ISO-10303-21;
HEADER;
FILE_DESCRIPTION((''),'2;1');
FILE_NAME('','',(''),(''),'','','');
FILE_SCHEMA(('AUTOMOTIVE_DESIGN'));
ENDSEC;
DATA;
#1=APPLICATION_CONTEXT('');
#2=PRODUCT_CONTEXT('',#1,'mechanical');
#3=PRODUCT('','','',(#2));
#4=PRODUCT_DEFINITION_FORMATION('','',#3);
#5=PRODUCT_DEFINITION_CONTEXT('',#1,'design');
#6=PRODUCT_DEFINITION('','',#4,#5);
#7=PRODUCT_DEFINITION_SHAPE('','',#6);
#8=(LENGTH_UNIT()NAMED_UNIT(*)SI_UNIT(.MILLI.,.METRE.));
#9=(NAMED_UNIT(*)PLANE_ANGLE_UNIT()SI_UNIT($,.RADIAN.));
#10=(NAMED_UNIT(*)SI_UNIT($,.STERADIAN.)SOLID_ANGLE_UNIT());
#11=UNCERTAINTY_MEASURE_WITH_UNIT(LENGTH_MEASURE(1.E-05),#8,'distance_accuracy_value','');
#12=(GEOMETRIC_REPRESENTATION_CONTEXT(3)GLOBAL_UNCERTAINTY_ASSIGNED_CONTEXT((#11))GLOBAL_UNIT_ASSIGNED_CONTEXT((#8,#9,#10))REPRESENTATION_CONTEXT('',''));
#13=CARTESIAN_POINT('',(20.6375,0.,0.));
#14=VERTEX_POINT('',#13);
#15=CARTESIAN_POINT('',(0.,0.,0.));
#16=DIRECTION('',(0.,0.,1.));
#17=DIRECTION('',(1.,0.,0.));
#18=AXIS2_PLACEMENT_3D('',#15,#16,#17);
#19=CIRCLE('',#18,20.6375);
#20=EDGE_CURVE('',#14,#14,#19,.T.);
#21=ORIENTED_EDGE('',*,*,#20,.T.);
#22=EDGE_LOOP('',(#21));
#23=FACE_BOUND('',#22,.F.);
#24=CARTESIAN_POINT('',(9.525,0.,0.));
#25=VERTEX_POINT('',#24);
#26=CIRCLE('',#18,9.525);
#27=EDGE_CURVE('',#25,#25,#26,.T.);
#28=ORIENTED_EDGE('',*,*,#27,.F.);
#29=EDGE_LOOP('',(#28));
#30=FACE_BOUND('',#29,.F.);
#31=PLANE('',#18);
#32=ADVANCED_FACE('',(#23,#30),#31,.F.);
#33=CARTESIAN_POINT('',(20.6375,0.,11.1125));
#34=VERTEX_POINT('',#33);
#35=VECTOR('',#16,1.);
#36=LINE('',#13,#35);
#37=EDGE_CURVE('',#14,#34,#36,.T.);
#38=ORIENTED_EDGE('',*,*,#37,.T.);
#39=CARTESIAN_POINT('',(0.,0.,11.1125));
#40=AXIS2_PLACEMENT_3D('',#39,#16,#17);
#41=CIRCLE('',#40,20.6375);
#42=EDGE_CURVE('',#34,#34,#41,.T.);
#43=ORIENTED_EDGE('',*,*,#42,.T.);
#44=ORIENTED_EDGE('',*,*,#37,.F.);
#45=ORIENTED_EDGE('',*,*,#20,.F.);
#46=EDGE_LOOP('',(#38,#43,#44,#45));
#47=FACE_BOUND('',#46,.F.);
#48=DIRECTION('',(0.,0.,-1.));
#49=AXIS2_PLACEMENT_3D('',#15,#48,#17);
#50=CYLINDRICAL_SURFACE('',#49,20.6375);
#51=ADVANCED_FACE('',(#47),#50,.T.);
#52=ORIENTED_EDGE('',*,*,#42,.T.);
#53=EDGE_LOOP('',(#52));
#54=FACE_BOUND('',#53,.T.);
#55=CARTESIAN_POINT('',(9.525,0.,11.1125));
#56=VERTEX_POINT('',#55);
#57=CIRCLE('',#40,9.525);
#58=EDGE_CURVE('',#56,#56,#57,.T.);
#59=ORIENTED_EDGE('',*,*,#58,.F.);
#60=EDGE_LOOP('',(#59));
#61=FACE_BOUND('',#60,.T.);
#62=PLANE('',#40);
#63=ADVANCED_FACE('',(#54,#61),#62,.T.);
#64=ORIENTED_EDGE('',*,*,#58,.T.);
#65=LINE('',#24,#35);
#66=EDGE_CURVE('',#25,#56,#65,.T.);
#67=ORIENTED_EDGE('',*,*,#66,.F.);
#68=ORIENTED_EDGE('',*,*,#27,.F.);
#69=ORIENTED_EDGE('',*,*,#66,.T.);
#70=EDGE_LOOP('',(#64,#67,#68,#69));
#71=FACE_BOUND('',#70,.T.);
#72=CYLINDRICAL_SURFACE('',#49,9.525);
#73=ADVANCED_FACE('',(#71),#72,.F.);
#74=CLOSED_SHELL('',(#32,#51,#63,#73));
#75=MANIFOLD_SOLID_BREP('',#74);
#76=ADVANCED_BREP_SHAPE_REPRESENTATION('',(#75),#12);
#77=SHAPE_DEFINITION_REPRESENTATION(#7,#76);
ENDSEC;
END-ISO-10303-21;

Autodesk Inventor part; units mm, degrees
ref_plane "YZ Plane" through (0, 0, 0) normal (1, 0, 0) x (0, 1, 0)
ref_plane "XZ Plane" through (0, 0, 0) normal (0, 1, 0) x (-1, 0, 0)
ref_plane "XY Plane" through (0, 0, 0) normal (0, 0, 1) x (1, 0, 0)
sketch "Sketch1" plane through (0, 0, 0) normal (0, 0, 1) x (1, 0, 0)
  circle A0 centre (0, 0) radius 9.525
  circle A1 centre (0, 0) radius 20.6375
  dimension "d0" = 19.05
  dimension "d1" = 41.275
extrude "Extrusion1" add sketch "Sketch1" along normal blind 11.1125
properties part number "CrankShaft Main Bearing"
